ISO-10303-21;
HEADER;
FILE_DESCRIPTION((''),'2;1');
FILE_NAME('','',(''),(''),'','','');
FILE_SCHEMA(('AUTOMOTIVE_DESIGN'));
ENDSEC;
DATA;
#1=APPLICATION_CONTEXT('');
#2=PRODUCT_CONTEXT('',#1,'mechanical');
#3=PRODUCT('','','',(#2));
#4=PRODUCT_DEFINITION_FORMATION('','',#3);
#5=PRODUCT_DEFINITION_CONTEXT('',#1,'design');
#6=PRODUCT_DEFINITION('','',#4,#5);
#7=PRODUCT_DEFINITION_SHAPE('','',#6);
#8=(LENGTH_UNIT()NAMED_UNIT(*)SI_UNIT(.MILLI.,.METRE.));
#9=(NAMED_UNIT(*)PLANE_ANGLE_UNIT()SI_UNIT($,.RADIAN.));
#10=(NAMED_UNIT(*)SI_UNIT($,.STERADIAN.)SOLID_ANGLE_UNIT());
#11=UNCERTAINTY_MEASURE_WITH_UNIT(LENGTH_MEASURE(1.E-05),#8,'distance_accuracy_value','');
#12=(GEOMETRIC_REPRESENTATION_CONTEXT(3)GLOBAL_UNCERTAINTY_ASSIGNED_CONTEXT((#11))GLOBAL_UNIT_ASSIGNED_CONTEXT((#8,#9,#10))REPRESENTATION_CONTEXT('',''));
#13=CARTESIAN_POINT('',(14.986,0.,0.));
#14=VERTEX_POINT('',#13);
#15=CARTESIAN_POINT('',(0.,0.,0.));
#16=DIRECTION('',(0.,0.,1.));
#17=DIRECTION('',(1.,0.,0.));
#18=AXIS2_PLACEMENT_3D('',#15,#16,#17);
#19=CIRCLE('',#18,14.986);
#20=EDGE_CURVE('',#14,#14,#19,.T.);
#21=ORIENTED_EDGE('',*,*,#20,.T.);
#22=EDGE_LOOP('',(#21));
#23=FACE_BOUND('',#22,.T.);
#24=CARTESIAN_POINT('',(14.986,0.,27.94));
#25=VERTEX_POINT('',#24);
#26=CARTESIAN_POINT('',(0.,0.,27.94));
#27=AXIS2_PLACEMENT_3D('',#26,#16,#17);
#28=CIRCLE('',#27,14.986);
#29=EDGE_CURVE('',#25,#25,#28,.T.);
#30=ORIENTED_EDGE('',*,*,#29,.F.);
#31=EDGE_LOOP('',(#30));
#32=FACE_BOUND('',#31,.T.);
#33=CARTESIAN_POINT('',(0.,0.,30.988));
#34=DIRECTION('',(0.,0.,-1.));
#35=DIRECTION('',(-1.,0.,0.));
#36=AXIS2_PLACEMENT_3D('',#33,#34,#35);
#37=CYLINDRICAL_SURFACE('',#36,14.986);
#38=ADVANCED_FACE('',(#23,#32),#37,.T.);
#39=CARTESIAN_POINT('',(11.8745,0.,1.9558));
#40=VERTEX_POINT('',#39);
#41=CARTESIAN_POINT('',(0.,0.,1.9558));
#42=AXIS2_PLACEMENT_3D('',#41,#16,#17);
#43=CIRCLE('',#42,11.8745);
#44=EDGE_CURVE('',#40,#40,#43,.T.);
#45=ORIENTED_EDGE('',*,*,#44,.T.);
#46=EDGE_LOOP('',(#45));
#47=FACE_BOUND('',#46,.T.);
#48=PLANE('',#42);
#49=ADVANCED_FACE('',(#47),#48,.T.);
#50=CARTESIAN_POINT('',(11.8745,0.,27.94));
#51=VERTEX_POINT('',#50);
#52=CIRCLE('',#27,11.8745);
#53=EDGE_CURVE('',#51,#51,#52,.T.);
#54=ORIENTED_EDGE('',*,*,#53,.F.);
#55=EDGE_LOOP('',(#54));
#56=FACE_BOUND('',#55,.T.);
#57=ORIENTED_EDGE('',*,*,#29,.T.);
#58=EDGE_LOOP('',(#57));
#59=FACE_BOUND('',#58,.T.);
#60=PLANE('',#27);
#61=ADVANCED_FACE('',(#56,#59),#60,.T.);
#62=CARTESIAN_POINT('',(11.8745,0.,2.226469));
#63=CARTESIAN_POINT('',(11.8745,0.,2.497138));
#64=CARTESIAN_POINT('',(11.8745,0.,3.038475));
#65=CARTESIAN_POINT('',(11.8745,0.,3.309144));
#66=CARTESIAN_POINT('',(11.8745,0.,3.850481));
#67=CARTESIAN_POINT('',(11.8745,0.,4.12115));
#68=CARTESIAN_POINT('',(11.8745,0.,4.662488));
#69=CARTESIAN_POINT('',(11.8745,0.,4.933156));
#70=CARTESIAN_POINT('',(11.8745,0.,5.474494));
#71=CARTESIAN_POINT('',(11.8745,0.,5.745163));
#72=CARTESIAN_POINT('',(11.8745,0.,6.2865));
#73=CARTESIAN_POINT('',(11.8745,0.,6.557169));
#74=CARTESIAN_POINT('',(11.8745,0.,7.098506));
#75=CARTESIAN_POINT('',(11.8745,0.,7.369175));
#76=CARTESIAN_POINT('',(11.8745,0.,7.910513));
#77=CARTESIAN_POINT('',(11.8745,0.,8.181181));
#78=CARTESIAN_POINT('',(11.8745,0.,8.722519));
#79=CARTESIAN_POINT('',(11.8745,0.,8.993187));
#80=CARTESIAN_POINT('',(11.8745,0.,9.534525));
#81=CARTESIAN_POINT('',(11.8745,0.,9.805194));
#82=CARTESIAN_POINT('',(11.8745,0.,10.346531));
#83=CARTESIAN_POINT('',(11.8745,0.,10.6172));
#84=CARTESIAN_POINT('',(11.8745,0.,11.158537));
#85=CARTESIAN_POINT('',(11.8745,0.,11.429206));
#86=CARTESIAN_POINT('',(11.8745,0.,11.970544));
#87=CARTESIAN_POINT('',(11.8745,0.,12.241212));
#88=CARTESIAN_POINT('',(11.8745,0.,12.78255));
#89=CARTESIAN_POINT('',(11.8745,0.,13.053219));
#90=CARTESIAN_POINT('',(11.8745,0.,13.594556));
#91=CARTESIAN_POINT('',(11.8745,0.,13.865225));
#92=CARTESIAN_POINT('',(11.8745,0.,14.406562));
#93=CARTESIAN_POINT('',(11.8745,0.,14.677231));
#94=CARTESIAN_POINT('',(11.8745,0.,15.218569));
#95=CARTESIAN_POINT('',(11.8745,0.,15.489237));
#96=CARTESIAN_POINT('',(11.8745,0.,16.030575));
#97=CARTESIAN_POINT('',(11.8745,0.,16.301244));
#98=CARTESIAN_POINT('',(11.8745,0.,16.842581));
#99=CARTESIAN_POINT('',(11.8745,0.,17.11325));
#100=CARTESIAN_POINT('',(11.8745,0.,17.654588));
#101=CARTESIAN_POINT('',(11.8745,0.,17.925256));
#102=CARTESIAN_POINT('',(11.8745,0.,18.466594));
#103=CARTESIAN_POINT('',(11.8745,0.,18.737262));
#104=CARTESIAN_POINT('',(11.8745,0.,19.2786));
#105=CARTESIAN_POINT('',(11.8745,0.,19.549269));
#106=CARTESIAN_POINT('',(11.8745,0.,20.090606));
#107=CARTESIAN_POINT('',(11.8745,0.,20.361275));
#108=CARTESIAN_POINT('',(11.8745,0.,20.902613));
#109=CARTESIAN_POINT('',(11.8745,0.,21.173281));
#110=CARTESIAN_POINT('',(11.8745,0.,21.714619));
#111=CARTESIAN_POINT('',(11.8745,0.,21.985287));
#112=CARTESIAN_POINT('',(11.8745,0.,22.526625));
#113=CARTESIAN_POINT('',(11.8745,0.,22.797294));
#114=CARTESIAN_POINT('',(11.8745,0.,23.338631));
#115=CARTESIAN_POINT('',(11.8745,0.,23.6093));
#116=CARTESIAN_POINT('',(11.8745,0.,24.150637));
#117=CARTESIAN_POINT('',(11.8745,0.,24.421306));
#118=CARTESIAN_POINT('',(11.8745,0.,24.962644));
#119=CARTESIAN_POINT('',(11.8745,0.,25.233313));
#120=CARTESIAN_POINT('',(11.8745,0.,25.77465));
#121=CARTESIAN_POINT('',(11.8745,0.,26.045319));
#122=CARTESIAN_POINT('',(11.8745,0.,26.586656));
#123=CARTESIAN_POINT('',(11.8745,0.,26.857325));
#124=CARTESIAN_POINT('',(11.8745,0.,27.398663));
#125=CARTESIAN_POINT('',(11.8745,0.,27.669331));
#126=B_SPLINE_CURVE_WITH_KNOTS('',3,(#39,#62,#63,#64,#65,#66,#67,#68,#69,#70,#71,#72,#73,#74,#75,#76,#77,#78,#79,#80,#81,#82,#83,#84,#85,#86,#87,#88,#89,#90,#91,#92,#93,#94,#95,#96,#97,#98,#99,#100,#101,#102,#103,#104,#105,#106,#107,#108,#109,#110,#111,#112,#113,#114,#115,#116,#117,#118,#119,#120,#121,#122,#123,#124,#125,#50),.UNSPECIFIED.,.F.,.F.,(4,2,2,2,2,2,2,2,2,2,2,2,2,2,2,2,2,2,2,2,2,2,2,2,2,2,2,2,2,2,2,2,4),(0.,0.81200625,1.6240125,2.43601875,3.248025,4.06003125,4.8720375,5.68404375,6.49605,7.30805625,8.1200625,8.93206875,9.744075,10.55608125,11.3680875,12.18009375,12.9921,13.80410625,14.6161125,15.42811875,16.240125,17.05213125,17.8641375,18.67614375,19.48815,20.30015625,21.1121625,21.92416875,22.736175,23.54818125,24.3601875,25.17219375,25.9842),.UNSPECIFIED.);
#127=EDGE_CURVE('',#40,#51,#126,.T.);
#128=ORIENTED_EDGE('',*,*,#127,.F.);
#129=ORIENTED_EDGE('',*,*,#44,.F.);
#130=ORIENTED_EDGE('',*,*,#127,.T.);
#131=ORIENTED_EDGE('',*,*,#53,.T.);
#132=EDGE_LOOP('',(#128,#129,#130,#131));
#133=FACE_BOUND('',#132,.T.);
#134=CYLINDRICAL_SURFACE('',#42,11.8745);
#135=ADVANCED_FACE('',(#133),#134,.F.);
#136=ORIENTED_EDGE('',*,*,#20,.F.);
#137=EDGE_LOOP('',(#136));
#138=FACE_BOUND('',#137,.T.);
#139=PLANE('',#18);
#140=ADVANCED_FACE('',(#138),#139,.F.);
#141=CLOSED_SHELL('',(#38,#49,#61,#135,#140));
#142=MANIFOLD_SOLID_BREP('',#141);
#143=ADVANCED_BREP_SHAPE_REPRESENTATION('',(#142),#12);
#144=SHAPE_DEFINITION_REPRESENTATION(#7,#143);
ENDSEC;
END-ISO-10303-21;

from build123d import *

# Parameters (mm, degrees)
SKETCH1_R           = 14.986
BOSS_EXTRUDE1_DEPTH = 30.988
SKETCH2_R           = 11.8745
CUT_EXTRUDE1_DEPTH  = 29.0322
SKETCH3_R           = 14.986
SKETCH3_R_2         = 11.8745
CUT_EXTRUDE2_DEPTH  = 3.048


with BuildPart() as part:
    # Sketch1 → Boss-Extrude1 (new body)
    with BuildSketch(Plane.XY):
        Circle(SKETCH1_R)
    extrude(amount=BOSS_EXTRUDE1_DEPTH)

    # Sketch2 → Cut-Extrude1 (cut)
    with BuildSketch(Plane.XY.offset(30.988)):
        Circle(SKETCH2_R)
    extrude(amount=-CUT_EXTRUDE1_DEPTH, mode=Mode.SUBTRACT)

    # Sketch3 → Cut-Extrude2 (cut)
    with BuildSketch(Plane.XY.offset(30.988)):
        Circle(SKETCH3_R)
        Circle(SKETCH3_R_2, mode=Mode.SUBTRACT)
    extrude(amount=-CUT_EXTRUDE2_DEPTH, mode=Mode.SUBTRACT)


solid = part.part
